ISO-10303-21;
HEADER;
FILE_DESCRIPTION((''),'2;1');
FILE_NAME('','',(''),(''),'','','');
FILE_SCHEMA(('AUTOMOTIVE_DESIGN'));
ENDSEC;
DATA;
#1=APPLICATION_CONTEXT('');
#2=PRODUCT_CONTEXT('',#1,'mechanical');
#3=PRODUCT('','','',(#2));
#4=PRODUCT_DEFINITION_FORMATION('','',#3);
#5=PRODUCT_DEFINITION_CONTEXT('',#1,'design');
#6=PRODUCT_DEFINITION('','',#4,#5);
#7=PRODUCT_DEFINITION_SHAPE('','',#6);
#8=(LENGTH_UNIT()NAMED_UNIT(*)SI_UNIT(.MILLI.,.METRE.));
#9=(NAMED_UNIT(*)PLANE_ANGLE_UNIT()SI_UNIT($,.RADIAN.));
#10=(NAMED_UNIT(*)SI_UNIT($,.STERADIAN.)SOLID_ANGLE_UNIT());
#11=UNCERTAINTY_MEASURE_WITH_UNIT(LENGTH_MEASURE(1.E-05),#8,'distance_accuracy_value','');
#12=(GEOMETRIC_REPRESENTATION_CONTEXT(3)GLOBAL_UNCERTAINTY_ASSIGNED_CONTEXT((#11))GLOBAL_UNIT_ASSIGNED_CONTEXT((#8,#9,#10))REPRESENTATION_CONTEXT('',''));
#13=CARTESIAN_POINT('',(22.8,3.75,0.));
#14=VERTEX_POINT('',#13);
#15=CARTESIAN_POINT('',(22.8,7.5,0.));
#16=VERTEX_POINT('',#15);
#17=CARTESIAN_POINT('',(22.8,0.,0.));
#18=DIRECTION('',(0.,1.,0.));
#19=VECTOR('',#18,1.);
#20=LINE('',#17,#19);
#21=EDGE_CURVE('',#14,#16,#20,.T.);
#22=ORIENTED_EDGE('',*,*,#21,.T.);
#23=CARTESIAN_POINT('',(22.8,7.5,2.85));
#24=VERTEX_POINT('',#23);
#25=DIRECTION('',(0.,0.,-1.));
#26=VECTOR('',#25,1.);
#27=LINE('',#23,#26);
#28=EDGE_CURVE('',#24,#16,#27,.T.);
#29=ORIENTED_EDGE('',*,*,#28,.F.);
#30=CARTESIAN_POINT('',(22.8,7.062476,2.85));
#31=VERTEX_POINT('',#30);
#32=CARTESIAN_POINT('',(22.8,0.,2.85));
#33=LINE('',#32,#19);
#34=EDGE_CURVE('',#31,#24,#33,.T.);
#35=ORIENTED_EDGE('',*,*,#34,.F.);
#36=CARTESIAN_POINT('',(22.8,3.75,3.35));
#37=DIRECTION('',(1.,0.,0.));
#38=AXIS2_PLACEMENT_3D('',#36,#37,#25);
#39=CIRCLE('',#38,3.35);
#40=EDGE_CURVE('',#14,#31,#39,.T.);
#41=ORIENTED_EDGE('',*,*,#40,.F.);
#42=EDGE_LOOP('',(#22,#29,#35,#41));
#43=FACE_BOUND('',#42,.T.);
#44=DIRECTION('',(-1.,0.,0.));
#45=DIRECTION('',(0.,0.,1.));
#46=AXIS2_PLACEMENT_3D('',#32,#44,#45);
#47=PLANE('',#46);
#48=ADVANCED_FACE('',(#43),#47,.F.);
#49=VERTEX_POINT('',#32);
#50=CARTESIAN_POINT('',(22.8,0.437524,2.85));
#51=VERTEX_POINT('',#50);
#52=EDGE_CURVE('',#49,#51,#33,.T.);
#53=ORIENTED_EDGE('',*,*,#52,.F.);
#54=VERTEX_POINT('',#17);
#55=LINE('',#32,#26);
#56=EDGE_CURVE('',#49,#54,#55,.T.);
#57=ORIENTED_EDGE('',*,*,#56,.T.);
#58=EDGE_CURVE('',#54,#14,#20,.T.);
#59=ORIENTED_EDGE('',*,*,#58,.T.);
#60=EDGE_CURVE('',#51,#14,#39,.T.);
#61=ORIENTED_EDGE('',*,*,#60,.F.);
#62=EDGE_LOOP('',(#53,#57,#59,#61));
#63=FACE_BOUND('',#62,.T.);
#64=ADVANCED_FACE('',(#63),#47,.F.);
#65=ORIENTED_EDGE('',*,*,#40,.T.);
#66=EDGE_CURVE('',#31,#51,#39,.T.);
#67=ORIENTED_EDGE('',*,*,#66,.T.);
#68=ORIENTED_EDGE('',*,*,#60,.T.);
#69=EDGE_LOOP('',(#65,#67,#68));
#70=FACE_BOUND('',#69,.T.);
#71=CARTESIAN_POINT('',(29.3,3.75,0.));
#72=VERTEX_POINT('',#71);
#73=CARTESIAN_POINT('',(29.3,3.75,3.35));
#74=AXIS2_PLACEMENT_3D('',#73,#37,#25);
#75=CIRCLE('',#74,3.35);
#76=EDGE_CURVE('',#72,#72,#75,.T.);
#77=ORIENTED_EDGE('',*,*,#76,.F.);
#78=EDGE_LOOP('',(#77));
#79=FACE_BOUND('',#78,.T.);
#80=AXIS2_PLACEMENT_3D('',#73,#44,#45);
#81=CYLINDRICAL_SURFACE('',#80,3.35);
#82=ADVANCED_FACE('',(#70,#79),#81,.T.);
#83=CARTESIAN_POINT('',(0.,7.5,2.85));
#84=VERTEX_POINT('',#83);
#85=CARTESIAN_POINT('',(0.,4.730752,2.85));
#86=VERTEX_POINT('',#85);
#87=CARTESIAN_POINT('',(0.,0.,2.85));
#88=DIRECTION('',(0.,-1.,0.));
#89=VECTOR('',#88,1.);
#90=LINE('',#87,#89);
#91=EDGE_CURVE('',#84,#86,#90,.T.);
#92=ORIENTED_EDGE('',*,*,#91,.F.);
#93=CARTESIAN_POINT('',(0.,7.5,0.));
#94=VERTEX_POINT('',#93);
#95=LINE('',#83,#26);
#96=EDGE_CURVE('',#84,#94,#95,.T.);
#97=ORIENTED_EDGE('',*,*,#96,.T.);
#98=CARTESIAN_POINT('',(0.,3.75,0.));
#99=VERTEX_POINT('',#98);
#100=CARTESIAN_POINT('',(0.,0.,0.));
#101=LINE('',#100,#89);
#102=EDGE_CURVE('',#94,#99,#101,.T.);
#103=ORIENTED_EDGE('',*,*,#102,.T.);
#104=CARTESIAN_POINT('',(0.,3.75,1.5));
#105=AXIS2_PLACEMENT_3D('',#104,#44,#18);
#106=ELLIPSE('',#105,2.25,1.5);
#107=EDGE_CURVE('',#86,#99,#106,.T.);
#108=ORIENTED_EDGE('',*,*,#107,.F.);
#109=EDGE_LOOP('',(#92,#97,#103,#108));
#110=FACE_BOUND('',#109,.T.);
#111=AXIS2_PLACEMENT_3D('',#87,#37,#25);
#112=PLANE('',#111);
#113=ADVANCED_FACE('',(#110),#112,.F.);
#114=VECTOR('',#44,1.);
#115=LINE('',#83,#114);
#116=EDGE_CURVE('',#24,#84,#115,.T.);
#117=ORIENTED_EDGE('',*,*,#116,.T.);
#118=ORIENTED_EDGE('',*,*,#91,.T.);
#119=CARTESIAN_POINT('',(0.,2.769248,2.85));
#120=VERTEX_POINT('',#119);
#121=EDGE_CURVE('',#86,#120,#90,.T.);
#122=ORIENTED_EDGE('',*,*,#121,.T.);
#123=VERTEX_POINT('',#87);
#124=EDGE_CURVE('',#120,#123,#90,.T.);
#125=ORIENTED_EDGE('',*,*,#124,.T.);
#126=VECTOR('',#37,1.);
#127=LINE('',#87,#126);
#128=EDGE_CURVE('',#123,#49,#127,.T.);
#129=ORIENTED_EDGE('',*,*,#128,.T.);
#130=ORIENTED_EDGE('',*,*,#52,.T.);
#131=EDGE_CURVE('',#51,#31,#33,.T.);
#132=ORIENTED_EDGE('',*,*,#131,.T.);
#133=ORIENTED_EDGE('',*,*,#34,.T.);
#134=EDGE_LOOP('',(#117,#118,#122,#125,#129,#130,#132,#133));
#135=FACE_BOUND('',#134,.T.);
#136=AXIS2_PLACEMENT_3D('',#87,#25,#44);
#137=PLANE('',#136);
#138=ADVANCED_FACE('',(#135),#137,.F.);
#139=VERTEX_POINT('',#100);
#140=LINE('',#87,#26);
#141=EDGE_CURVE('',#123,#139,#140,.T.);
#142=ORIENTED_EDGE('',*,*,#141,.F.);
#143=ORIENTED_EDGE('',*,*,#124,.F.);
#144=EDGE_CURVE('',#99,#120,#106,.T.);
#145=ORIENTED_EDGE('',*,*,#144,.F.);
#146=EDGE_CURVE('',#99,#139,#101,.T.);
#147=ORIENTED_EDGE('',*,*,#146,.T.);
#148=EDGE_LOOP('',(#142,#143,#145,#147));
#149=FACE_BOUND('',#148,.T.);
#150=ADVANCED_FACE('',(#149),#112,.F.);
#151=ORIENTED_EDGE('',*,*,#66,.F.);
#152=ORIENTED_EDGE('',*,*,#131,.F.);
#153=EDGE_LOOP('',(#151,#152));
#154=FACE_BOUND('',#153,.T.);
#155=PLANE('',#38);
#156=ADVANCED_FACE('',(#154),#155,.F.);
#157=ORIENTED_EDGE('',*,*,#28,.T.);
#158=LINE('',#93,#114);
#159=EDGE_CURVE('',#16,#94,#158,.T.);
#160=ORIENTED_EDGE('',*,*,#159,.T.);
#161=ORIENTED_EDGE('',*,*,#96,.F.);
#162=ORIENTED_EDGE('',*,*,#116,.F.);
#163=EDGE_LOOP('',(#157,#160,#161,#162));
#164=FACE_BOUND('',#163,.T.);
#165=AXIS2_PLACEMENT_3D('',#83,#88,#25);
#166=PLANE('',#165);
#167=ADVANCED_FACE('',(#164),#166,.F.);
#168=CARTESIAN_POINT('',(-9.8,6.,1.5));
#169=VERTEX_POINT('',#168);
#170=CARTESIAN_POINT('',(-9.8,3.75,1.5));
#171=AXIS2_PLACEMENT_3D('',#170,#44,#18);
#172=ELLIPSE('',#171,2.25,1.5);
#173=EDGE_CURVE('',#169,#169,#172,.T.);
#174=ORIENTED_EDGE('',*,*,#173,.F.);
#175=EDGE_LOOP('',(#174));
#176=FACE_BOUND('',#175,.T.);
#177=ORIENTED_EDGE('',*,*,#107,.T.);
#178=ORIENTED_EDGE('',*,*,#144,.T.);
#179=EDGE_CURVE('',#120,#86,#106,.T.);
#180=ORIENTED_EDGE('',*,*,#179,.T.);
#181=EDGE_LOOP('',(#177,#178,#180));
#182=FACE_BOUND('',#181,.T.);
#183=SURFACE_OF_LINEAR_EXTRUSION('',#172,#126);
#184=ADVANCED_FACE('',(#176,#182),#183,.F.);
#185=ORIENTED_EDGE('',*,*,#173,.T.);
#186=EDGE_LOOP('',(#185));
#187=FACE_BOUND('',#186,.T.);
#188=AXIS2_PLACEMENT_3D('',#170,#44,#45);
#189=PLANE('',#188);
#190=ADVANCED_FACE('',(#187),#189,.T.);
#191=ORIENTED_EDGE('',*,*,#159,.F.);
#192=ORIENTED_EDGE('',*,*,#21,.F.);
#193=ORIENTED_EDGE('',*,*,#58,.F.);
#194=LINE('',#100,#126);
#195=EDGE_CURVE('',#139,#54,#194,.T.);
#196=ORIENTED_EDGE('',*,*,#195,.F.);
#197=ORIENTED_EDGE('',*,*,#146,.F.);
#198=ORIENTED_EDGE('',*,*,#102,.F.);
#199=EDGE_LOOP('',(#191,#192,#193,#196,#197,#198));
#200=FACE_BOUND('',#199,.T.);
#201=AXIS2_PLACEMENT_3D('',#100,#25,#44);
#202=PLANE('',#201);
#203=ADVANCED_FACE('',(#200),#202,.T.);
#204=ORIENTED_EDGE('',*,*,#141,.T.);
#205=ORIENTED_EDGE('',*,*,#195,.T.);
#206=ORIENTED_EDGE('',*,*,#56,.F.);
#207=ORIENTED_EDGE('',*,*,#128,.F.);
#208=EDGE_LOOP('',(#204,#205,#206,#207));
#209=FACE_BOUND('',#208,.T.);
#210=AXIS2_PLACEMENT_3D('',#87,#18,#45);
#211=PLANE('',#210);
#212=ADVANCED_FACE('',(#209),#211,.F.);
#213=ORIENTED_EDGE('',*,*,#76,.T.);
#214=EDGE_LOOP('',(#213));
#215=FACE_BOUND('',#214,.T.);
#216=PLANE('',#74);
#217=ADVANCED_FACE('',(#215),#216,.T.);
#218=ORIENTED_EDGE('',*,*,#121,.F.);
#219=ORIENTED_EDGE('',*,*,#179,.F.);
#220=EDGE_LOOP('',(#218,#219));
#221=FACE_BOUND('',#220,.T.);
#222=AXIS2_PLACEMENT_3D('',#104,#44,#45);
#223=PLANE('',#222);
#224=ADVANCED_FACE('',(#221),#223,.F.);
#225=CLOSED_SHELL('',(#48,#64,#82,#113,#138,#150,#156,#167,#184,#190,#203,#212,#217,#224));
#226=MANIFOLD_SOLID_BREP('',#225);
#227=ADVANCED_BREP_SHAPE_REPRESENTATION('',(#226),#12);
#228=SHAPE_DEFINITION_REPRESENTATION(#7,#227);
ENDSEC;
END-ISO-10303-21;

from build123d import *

# Parameters (mm, degrees)
SKETCH2_W           = 22.8
SKETCH2_H           = 7.5
BOSS_EXTRUDE1_DEPTH = 2.85
SKETCH3_R           = 3.35
BOSS_EXTRUDE2_DEPTH = 6.5
SKETCH4_RX          = 2.25
SKETCH4_RY          = 1.5
BOSS_EXTRUDE3_DEPTH = 9.8


with BuildPart() as part:
    # Sketch2 → Boss-Extrude1 (new body)
    with BuildSketch(Plane.XY):
        with Locations((11.4, 3.75)):
            Rectangle(SKETCH2_W, SKETCH2_H)
    extrude(amount=BOSS_EXTRUDE1_DEPTH)

    # Sketch3 → Boss-Extrude2 (add)
    with BuildSketch(Plane(origin=(22.8, 0, 0), x_dir=(0, 0, -1), z_dir=(1, 0, 0))):
        with Locations((-3.35, 3.75)):
            Circle(SKETCH3_R)
    extrude(amount=BOSS_EXTRUDE2_DEPTH)

    # Sketch4 → Boss-Extrude3 (add)
    with BuildSketch(Plane.ZY):
        with Locations(Location((1.5, 3.75), (0, 0, 90))):
            Ellipse(SKETCH4_RX, SKETCH4_RY)
    extrude(amount=BOSS_EXTRUDE3_DEPTH)


solid = part.part
